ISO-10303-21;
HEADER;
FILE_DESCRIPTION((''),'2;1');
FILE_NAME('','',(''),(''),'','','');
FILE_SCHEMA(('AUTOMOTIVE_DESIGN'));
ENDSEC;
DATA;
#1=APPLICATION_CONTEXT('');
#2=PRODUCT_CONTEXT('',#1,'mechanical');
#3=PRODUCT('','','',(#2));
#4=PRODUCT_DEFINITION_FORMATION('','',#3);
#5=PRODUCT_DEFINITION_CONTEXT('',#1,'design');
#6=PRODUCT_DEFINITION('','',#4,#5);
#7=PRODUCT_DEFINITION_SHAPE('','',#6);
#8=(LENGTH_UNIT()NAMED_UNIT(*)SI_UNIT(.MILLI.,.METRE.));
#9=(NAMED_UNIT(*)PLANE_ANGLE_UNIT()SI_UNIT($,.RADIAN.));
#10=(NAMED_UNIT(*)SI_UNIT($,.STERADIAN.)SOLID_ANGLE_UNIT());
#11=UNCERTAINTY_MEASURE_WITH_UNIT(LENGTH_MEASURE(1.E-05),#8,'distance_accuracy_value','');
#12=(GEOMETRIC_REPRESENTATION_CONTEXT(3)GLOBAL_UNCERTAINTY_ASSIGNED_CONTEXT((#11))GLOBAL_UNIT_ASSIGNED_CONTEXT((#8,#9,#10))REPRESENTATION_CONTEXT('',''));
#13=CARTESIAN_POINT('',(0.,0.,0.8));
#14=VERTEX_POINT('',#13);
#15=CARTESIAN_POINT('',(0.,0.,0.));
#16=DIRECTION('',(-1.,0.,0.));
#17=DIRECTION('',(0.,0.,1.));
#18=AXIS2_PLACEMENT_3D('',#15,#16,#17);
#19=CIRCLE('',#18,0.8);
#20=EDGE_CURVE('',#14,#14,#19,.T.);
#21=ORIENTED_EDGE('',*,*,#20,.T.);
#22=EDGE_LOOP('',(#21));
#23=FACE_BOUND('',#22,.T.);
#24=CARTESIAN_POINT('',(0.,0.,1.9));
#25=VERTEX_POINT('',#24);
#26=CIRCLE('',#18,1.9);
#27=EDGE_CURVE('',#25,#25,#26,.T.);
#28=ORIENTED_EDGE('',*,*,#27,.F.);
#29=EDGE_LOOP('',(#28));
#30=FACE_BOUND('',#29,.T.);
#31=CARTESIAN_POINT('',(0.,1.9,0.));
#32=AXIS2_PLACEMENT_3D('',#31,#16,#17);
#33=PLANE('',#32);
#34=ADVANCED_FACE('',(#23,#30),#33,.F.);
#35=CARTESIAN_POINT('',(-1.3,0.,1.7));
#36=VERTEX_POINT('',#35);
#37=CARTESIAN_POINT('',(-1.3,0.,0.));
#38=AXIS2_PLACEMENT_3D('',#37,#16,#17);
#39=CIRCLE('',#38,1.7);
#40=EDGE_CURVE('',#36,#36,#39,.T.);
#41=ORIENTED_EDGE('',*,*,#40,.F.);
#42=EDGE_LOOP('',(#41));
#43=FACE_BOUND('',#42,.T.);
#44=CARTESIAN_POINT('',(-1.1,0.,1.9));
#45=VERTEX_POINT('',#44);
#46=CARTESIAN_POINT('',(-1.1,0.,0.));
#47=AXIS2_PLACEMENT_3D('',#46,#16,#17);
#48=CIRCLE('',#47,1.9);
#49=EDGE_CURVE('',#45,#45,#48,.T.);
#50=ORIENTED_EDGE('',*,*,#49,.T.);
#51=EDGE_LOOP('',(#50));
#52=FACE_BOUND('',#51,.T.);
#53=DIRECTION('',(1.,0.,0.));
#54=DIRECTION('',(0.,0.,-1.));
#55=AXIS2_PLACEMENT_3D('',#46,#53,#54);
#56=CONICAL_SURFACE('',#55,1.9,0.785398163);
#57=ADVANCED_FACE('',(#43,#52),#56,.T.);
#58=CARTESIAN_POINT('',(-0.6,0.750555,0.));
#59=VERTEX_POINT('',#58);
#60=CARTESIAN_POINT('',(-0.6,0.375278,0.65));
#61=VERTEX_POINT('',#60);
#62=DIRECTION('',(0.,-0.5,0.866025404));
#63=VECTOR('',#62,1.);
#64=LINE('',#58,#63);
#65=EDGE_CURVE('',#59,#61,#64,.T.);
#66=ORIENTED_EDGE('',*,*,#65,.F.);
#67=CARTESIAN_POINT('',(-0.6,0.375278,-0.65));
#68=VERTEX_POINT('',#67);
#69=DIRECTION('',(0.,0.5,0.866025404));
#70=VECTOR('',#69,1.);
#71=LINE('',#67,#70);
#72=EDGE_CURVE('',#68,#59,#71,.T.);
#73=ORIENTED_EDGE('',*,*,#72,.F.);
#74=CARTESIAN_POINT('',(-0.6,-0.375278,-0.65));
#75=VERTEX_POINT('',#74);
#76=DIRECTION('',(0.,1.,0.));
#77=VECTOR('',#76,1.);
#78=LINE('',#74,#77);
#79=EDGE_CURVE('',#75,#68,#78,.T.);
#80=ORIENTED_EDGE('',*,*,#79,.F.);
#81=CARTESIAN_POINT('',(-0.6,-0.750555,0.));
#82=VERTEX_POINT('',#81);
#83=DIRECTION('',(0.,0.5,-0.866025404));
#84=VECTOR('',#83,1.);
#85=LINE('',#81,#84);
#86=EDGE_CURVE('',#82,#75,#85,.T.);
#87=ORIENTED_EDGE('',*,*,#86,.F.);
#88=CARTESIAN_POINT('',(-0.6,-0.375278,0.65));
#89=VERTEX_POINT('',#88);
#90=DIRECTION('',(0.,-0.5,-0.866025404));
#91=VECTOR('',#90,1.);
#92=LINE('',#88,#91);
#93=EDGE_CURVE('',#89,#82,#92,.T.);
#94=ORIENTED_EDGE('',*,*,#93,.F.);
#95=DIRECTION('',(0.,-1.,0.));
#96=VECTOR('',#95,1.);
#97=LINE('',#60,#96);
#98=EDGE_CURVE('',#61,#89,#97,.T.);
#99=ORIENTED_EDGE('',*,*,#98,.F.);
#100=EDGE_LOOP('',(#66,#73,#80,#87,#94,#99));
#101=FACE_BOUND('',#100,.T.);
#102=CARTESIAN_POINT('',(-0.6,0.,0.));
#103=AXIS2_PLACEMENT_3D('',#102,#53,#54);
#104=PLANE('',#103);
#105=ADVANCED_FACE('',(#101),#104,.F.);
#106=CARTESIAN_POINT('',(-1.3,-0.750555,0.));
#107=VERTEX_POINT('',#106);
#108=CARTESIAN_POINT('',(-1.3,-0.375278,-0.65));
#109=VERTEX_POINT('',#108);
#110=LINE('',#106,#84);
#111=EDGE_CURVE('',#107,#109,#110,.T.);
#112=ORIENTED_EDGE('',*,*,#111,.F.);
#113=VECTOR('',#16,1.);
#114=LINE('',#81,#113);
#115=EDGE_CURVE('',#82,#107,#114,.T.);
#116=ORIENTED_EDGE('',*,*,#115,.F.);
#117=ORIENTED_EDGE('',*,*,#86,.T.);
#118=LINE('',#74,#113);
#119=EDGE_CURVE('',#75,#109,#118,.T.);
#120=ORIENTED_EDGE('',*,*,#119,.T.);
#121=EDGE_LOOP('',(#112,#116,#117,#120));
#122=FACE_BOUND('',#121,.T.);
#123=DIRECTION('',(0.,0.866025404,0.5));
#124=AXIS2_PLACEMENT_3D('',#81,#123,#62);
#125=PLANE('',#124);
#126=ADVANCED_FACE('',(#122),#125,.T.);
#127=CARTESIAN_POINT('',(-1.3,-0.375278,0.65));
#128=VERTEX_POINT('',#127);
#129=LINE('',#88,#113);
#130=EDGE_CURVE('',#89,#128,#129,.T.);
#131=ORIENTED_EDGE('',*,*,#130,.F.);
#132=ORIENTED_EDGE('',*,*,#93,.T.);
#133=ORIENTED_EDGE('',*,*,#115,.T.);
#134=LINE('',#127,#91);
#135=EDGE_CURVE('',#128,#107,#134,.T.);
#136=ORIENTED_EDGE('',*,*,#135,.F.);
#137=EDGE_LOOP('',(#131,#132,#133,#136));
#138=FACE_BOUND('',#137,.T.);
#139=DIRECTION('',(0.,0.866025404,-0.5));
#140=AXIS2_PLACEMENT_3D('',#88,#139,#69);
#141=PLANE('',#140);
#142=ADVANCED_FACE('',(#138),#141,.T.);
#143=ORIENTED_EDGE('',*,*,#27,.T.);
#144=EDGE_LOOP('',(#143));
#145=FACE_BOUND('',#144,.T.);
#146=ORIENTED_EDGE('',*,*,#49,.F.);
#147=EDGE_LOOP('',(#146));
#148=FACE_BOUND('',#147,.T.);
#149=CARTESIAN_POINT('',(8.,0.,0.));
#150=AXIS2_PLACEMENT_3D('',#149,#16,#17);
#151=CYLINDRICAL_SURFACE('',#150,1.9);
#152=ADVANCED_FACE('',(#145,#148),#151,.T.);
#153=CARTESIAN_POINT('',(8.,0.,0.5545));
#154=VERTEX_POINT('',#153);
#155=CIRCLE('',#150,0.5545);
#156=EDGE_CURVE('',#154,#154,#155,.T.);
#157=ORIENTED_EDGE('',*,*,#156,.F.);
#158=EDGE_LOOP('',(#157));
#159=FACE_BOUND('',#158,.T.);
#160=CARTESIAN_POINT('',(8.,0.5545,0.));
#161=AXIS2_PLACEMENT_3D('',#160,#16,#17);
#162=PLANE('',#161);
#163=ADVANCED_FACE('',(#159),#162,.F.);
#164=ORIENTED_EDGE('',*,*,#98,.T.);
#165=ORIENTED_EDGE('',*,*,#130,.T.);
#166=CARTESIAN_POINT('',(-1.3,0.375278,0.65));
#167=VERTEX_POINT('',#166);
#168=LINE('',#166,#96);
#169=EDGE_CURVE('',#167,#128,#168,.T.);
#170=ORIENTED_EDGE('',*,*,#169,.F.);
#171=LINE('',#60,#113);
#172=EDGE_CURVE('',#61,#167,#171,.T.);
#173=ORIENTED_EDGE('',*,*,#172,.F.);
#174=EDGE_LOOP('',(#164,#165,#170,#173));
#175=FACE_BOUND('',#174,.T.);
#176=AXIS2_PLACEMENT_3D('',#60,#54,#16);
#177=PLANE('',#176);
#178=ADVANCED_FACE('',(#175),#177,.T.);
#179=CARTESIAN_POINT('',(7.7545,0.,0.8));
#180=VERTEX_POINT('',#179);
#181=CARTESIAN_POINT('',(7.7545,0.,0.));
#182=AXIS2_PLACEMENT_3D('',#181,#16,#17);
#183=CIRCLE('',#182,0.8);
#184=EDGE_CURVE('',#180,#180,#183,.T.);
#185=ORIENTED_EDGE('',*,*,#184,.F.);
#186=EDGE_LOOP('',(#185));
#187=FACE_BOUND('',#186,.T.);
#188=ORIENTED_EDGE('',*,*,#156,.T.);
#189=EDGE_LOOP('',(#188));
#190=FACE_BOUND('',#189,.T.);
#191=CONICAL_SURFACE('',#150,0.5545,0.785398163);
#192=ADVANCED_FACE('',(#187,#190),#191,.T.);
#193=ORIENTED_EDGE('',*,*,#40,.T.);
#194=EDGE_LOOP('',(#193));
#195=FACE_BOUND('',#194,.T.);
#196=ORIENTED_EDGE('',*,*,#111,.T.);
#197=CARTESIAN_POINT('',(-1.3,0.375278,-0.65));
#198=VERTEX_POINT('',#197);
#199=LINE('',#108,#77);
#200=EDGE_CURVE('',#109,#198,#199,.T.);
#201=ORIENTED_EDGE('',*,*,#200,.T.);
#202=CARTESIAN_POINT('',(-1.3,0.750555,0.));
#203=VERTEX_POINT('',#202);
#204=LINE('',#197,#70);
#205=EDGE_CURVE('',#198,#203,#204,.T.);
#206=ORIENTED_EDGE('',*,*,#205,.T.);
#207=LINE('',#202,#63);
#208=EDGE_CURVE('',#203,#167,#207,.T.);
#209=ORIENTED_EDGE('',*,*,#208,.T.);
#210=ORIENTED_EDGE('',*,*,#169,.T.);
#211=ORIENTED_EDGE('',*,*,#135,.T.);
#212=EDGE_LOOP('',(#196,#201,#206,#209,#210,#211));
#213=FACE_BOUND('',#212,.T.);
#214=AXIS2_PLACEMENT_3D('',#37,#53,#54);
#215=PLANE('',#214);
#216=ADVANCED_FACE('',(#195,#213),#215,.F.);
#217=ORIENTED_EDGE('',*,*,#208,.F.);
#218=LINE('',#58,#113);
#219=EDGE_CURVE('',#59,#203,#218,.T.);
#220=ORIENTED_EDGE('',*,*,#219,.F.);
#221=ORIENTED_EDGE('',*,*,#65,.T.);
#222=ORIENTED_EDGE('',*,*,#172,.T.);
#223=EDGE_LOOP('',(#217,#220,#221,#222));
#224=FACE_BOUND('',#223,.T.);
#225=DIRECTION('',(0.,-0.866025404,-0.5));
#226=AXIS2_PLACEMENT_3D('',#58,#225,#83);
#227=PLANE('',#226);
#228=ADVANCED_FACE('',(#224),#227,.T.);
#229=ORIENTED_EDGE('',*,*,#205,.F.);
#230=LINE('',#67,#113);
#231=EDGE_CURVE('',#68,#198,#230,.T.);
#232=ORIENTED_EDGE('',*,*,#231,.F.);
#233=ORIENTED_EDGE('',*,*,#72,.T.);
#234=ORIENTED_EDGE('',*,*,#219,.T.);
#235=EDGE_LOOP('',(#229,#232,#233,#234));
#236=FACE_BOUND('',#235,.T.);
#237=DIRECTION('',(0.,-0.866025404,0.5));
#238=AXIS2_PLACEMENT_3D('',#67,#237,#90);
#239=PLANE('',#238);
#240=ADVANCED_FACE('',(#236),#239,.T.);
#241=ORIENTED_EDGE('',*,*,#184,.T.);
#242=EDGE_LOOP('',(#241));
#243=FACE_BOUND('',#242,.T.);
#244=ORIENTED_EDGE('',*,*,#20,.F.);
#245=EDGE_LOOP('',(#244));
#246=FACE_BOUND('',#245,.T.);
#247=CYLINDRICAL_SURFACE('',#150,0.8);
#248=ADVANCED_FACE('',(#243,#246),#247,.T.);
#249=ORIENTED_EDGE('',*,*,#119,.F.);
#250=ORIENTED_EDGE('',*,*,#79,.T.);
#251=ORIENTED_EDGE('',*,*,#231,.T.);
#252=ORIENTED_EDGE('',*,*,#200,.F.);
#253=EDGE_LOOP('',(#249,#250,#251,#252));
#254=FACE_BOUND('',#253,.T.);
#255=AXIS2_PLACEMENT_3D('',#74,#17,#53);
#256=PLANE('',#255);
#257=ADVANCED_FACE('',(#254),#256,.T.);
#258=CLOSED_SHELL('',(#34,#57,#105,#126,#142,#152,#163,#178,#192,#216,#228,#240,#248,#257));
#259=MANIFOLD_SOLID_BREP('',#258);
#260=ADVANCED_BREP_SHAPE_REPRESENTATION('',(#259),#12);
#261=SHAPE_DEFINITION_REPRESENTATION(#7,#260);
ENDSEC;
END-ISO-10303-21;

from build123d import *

# Parameters (mm, degrees)
CUT_EXTRUDE1_DEPTH = 0.7


with BuildPart() as part:
    # Sketch1 → Revolve1 (revolve)
    with BuildSketch(Plane.XY):
        Polygon((-1.3, 0), (-1.3, 1.7), (-1.1, 1.9), (0, 1.9), (0, 0.8), (7.7545, 0.8), (8, 0.5545), (8, 0), align=None)
    revolve(axis=Axis((8, 0, 0), (-1, 0, 0)))

    # Sketch2 → Cut-Extrude1 (cut)
    with BuildSketch(Plane(origin=(-1.3, 0, 0), x_dir=(0, 0, -1), z_dir=(1, 0, 0))):
        Polygon((-0.65, -0.375277675), (0, -0.75055535), (0.65, -0.375277675), (0.65, 0.375277675), (0, 0.75055535), (-0.65, 0.375277675), align=None)
    extrude(amount=CUT_EXTRUDE1_DEPTH, mode=Mode.SUBTRACT)


solid = part.part
